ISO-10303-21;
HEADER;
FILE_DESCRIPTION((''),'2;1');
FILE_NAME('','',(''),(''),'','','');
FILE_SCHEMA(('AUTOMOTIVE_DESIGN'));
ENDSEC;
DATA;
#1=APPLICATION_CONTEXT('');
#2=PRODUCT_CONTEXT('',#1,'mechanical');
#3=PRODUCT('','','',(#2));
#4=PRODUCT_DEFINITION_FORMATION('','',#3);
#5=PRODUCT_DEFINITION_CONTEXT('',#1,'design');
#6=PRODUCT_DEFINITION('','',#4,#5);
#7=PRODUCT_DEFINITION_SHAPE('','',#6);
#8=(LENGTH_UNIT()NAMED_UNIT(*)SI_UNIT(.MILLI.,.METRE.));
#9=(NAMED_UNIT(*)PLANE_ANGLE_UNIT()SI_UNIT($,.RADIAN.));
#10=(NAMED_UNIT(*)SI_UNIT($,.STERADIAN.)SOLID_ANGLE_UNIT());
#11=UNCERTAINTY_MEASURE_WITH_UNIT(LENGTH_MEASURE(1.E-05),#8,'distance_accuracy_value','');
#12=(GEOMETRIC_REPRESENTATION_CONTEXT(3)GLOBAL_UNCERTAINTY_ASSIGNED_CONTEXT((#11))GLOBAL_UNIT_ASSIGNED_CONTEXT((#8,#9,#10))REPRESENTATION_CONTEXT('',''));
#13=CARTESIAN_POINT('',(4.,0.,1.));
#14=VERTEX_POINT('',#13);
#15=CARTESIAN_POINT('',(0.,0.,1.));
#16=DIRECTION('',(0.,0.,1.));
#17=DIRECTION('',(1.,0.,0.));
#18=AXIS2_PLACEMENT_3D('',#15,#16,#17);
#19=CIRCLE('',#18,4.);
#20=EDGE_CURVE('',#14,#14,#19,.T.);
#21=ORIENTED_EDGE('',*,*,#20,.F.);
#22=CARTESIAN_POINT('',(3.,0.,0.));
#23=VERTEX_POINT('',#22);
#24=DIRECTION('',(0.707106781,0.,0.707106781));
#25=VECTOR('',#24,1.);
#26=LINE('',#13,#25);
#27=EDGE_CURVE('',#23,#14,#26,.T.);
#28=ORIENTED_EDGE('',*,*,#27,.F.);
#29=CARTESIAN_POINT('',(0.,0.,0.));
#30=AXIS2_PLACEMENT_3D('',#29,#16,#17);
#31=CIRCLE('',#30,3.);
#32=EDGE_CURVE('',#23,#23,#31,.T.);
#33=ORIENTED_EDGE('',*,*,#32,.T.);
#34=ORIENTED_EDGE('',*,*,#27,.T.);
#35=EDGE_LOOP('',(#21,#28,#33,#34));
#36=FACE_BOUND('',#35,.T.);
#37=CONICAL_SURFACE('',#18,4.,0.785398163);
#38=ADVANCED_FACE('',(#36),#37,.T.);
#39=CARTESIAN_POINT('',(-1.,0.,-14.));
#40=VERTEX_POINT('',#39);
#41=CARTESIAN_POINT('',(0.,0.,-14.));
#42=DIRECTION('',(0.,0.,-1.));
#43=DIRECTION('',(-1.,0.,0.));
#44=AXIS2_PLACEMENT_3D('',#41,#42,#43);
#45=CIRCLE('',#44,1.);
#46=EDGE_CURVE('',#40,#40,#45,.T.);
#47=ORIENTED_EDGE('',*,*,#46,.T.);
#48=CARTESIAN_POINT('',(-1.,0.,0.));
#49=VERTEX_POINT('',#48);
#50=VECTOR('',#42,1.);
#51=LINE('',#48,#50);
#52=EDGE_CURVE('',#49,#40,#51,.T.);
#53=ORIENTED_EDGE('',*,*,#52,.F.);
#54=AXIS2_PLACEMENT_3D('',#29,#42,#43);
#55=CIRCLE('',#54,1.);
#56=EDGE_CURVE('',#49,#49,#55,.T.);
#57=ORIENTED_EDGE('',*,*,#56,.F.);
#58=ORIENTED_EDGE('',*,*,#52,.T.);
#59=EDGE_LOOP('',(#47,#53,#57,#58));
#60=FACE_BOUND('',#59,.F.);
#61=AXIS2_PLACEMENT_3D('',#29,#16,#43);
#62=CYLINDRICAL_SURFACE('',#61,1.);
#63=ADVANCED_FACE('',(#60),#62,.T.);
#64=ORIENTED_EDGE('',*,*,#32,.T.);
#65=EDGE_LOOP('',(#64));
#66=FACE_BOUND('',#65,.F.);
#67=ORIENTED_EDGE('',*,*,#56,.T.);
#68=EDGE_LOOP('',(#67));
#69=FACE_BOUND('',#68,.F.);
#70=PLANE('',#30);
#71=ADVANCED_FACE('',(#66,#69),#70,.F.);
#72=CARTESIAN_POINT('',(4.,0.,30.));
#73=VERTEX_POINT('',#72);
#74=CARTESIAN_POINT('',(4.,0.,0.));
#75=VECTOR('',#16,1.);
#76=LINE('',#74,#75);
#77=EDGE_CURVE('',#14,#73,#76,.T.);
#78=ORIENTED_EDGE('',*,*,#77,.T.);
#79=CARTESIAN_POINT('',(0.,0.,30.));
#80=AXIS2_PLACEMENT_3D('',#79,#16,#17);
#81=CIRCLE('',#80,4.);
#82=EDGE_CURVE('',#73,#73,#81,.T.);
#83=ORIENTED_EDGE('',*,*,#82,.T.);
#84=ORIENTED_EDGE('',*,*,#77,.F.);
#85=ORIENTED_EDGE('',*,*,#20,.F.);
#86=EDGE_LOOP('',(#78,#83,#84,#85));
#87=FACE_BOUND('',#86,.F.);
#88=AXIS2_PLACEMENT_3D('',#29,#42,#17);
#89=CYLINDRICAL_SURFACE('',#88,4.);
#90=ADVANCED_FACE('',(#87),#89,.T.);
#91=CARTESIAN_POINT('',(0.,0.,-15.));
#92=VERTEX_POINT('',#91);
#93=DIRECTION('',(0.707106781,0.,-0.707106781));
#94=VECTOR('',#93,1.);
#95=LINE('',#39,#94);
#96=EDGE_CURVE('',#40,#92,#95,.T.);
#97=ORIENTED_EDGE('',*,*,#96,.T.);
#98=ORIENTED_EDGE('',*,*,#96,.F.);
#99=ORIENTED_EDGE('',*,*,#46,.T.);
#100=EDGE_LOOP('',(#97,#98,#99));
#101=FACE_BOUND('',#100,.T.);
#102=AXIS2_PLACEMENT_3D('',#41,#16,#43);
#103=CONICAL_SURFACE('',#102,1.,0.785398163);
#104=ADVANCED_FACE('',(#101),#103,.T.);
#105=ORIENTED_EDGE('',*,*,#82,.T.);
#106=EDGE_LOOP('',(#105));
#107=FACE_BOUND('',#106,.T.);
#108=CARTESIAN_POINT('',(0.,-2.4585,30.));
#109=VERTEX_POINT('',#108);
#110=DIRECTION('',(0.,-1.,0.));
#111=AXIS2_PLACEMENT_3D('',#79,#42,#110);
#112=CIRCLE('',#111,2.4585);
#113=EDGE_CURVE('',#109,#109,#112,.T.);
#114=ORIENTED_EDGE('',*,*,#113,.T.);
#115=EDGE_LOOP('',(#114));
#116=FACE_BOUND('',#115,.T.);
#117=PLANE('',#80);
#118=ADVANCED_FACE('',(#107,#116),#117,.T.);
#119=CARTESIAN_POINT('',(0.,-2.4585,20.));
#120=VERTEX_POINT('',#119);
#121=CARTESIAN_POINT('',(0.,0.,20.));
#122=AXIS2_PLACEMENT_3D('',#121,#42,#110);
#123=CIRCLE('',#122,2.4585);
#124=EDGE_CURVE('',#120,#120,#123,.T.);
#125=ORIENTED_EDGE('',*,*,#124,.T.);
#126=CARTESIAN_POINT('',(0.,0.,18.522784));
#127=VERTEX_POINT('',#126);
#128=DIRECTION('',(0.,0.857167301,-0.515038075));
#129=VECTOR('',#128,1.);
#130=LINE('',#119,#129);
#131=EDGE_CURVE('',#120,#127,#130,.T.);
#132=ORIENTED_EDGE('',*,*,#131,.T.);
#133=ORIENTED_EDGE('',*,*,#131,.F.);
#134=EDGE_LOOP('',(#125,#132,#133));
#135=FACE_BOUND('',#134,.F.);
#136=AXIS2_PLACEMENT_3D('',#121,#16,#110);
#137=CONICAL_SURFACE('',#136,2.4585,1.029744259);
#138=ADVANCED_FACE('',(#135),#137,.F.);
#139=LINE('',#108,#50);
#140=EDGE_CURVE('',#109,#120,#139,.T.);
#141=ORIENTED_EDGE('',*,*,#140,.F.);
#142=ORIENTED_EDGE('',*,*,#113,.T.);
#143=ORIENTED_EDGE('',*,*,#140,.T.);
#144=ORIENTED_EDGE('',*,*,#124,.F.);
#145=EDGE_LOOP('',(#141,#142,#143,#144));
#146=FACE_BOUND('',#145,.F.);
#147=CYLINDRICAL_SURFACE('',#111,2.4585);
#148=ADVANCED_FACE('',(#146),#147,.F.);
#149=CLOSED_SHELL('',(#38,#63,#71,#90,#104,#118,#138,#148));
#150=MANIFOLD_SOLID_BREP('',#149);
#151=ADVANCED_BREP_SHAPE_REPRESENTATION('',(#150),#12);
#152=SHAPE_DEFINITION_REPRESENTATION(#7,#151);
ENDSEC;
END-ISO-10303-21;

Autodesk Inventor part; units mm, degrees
ref_plane "YZ Plane" through (0, 0, 0) normal (1, 0, 0) x (0, 1, 0)
ref_plane "XZ Plane" through (0, 0, 0) normal (0, 1, 0) x (-1, 0, 0)
ref_plane "XY Plane" through (0, 0, 0) normal (0, 0, 1) x (1, 0, 0)
sketch "Sketch1" plane through (0, 0, 0) normal (0, 0, 1) x (1, 0, 0)
  circle A0 centre (0, 0) radius 4
  dimension "d0" = 8
extrude "Extrusion1" add sketch "Sketch1" along normal blind 30
sketch "Sketch2" plane through (0, 0, 0) normal (0, 0, -1) x (-1, 0, 0)
  circle A0 centre (0, 0) radius 1
  dimension "d3" = 2
extrude "Extrusion2" add sketch "Sketch2" along normal blind 15
chamfer "Chamfer1" distance 1 angle 45 1 edges at (1, 0, -15)
chamfer "Chamfer2" distance 1 angle 45 1 edges at (-4, 0, 0)
sketch "Sketch3" plane through (0, 0, 30) normal (0, 0, 1) x (1, 0, 0)
  point P0 (0, 0)
  point P1 (0, 0)
hole "Hole1" at (0, 0, 30) direction (0, 0, -1) diameter 4.917 depth 10 tip angle 118 thread size "M6x1" class "6H" standard "ISO Metric profile"
properties part number "top"
